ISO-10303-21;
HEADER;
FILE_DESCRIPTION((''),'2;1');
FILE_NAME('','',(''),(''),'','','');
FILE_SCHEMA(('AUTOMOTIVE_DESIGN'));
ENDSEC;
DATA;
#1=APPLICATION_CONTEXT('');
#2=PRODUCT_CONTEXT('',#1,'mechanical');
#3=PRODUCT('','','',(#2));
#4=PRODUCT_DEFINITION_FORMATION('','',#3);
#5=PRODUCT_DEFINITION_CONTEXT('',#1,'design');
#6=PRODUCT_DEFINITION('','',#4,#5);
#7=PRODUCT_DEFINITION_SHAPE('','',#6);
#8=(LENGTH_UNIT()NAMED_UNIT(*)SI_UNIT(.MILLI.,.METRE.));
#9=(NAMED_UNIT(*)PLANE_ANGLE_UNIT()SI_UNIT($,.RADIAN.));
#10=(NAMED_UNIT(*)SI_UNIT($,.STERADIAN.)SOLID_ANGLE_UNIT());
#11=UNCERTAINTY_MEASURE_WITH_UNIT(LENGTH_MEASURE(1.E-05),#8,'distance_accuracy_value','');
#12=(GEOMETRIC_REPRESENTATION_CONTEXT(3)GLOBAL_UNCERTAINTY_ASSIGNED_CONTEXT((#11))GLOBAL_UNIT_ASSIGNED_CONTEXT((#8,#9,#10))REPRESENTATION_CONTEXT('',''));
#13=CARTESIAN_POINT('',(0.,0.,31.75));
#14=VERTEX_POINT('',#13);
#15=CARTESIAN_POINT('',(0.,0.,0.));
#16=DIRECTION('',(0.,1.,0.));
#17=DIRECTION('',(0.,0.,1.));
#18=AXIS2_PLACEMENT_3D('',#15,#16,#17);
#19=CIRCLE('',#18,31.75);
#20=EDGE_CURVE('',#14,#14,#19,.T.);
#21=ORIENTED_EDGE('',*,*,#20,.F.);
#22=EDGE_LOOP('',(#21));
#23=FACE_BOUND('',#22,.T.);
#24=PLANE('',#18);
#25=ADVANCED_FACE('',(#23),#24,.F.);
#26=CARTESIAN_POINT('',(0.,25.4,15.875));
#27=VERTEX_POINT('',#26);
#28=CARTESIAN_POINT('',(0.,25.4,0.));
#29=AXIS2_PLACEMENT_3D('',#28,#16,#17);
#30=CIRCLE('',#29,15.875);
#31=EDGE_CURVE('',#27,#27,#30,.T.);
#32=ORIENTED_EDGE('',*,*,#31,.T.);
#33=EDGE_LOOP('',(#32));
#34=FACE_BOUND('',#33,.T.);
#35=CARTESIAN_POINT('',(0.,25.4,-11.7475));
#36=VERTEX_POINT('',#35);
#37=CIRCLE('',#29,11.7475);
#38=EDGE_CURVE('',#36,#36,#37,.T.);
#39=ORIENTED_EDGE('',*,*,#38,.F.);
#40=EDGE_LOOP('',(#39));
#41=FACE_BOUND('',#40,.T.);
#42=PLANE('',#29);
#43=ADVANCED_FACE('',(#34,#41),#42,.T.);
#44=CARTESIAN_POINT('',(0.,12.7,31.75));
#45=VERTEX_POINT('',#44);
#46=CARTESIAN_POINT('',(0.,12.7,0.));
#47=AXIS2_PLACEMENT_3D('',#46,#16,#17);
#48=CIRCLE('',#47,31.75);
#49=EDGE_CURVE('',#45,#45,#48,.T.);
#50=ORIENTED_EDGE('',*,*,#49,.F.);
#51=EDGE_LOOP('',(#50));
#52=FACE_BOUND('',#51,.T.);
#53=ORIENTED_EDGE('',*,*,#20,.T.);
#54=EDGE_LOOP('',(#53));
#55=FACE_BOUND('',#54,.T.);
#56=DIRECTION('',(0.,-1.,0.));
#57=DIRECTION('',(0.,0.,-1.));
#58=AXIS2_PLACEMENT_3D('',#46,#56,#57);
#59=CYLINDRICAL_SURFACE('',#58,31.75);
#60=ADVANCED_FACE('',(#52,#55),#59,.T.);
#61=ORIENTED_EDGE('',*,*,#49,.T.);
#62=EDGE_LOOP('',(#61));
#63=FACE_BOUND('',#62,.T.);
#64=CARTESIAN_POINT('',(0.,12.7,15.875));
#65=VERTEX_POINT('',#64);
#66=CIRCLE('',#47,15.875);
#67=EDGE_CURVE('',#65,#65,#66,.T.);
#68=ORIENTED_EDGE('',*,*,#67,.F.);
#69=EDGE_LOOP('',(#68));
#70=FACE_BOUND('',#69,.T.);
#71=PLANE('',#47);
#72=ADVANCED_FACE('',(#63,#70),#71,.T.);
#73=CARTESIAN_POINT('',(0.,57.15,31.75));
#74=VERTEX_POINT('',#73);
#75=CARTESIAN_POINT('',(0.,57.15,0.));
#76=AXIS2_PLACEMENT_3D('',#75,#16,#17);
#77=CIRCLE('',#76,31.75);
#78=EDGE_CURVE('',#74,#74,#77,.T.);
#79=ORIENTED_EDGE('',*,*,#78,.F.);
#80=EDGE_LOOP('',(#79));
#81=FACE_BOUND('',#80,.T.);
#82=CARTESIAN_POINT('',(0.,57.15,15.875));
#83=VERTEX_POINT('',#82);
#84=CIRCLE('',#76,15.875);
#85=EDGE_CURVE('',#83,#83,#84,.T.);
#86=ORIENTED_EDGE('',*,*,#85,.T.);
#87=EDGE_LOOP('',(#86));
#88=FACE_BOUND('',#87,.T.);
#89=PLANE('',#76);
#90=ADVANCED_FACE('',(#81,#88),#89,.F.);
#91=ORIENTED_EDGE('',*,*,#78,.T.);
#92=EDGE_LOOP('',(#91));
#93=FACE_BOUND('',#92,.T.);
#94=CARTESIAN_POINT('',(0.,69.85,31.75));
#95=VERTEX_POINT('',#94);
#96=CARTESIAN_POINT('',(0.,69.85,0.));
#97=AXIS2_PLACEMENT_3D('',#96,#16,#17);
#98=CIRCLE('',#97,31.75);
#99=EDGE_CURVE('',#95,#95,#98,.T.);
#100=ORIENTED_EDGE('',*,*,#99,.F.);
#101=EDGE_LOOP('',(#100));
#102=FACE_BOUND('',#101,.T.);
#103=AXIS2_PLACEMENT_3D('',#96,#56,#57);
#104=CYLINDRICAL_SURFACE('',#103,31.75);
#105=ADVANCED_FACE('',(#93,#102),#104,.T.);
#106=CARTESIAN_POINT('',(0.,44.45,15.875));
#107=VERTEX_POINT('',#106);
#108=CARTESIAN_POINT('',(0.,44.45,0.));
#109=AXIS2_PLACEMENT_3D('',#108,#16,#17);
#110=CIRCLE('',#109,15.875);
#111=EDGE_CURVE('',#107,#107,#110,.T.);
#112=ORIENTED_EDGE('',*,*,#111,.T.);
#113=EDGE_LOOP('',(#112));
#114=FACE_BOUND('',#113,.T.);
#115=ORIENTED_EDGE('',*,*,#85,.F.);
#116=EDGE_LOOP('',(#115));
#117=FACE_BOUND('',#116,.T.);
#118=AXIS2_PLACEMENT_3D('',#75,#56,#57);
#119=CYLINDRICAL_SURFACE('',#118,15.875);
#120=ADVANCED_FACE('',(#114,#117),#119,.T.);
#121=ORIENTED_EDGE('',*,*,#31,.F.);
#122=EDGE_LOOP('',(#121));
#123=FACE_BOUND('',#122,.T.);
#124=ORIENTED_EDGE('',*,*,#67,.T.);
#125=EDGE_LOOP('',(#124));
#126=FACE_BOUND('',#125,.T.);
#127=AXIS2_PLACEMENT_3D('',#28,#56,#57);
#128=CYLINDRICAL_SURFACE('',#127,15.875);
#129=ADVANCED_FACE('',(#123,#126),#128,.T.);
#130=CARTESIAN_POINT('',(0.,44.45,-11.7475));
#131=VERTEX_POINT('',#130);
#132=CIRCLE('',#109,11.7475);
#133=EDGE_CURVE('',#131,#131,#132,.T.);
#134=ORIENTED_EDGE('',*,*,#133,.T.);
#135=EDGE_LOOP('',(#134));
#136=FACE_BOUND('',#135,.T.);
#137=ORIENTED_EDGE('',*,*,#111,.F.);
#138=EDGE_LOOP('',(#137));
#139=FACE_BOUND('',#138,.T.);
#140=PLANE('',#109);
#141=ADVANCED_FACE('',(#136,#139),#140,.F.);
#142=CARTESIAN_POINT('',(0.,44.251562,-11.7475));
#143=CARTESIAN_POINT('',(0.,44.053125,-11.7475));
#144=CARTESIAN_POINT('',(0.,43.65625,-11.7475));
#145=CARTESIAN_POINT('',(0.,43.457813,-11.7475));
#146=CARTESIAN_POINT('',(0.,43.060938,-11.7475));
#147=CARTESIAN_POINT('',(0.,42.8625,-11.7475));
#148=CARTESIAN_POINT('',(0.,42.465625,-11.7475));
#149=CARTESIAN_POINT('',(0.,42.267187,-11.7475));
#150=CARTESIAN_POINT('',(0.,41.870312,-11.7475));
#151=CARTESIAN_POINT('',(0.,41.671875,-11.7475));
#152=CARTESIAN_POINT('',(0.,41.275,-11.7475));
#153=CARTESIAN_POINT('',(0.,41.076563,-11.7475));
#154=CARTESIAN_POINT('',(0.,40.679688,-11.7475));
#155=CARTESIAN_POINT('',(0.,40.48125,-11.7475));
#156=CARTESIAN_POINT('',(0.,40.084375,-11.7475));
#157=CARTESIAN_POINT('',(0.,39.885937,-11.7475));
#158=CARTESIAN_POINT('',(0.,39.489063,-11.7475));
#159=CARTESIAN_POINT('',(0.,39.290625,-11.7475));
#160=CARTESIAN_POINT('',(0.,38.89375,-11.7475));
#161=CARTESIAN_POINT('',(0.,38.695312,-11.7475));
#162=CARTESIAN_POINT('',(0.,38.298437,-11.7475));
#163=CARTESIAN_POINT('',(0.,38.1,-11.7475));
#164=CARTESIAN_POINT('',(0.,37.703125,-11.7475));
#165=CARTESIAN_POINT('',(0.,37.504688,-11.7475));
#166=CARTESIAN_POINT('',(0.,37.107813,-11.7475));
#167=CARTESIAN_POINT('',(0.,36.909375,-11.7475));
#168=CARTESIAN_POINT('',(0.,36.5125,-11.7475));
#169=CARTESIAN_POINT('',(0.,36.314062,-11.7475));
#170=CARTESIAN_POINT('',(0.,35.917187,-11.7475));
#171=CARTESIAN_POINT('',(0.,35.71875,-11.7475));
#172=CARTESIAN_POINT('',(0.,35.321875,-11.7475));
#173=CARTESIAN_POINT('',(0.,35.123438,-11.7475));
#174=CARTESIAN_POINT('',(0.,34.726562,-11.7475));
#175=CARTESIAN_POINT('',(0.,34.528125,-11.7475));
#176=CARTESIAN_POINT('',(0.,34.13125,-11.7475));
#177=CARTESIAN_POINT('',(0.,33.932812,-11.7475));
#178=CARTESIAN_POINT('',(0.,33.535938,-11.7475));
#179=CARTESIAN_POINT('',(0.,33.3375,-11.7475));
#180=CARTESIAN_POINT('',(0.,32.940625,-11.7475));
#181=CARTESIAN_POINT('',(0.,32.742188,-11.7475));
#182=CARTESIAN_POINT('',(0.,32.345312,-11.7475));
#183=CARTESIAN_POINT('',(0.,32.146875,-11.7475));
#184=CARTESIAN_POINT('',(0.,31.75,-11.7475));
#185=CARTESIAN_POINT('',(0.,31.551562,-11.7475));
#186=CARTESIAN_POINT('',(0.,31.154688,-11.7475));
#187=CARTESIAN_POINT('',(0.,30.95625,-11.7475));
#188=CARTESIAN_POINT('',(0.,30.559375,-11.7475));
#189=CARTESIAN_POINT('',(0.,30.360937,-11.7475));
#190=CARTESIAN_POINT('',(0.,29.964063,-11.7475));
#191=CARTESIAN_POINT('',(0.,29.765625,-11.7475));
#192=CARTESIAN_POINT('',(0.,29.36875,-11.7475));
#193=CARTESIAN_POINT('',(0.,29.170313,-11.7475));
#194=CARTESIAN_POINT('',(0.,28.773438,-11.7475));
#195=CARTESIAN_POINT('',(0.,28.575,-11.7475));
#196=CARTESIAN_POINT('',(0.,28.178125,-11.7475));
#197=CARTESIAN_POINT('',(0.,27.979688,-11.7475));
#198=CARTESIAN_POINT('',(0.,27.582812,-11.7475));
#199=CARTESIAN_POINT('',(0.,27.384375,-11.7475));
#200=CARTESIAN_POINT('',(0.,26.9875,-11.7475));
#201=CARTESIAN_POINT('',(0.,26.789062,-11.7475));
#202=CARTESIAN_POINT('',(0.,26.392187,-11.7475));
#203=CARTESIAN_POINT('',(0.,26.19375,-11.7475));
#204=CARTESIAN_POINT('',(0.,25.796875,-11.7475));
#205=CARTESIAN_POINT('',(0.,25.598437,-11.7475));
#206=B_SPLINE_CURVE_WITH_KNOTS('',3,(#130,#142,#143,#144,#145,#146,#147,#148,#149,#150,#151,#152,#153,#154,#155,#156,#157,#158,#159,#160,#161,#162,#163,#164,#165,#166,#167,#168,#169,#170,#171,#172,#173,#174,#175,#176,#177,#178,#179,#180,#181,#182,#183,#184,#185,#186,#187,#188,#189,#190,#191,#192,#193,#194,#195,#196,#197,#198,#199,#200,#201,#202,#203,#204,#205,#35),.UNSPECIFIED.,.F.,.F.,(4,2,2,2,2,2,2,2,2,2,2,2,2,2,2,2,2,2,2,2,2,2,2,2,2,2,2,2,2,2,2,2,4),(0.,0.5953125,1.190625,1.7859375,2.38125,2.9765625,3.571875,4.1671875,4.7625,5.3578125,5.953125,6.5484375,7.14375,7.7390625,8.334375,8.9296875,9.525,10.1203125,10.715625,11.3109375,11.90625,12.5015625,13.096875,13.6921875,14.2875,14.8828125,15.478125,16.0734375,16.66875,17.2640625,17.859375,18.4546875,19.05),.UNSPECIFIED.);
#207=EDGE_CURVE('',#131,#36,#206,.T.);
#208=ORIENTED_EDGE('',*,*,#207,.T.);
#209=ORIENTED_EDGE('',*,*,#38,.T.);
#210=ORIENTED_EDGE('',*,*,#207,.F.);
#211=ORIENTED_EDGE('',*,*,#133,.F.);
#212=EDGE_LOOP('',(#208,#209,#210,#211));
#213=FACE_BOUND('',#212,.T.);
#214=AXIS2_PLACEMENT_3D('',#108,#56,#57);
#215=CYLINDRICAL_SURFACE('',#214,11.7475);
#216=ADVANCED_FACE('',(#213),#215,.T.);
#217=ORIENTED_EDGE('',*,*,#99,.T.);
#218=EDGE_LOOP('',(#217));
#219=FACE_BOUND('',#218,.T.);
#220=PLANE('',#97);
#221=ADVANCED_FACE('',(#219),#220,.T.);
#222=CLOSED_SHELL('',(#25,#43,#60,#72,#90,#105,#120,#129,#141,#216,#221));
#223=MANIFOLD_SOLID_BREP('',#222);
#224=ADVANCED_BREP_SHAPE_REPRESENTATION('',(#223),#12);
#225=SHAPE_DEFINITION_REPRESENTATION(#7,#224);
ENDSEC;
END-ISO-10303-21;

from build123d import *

# Parameters (mm, degrees)
SKETCH1_R           = 31.75
BOSS_EXTRUDE1_DEPTH = 12.7
SKETCH2_R           = 15.875
BOSS_EXTRUDE2_DEPTH = 12.7
SKETCH4_R           = 11.7475
BOSS_EXTRUDE4_DEPTH = 19.05
SKETCH5_R           = 15.875
BOSS_EXTRUDE5_DEPTH = 12.7
SKETCH6_R           = 31.75
BOSS_EXTRUDE6_DEPTH = 12.7


with BuildPart() as part:
    # Sketch1 → Boss-Extrude1 (new body)
    with BuildSketch(Plane(origin=(0, 0, 0), x_dir=(1, 0, 0), z_dir=(0, 1, 0))):
        with Locations(Location((0, 0, 0), (0, 0, 270))):
            Circle(SKETCH1_R)
    extrude(amount=BOSS_EXTRUDE1_DEPTH)

    # Sketch2 → Boss-Extrude2 (add)
    with BuildSketch(Plane(origin=(0, 12.7, 0), x_dir=(1, 0, 0), z_dir=(0, 1, 0))):
        with Locations(Location((0, 0, 0), (0, 0, 270))):
            Circle(SKETCH2_R)
    extrude(amount=BOSS_EXTRUDE2_DEPTH)

    # Sketch4 → Boss-Extrude4 (add)
    with BuildSketch(Plane(origin=(0, 25.4, 0), x_dir=(1, 0, 0), z_dir=(0, 1, 0))):
        with Locations(Location((0, 0, 0), (0, 0, 90))):
            Circle(SKETCH4_R)
    extrude(amount=BOSS_EXTRUDE4_DEPTH)

    # Sketch5 → Boss-Extrude5 (add)
    with BuildSketch(Plane(origin=(0, 44.45, 0), x_dir=(1, 0, 0), z_dir=(0, 1, 0))):
        with Locations(Location((0, 0, 0), (0, 0, 270))):
            Circle(SKETCH5_R)
    extrude(amount=BOSS_EXTRUDE5_DEPTH)

    # Sketch6 → Boss-Extrude6 (add)
    with BuildSketch(Plane(origin=(0, 57.15, 0), x_dir=(1, 0, 0), z_dir=(0, 1, 0))):
        with Locations(Location((0, 0, 0), (0, 0, 270))):
            Circle(SKETCH6_R)
    extrude(amount=BOSS_EXTRUDE6_DEPTH)


solid = part.part
